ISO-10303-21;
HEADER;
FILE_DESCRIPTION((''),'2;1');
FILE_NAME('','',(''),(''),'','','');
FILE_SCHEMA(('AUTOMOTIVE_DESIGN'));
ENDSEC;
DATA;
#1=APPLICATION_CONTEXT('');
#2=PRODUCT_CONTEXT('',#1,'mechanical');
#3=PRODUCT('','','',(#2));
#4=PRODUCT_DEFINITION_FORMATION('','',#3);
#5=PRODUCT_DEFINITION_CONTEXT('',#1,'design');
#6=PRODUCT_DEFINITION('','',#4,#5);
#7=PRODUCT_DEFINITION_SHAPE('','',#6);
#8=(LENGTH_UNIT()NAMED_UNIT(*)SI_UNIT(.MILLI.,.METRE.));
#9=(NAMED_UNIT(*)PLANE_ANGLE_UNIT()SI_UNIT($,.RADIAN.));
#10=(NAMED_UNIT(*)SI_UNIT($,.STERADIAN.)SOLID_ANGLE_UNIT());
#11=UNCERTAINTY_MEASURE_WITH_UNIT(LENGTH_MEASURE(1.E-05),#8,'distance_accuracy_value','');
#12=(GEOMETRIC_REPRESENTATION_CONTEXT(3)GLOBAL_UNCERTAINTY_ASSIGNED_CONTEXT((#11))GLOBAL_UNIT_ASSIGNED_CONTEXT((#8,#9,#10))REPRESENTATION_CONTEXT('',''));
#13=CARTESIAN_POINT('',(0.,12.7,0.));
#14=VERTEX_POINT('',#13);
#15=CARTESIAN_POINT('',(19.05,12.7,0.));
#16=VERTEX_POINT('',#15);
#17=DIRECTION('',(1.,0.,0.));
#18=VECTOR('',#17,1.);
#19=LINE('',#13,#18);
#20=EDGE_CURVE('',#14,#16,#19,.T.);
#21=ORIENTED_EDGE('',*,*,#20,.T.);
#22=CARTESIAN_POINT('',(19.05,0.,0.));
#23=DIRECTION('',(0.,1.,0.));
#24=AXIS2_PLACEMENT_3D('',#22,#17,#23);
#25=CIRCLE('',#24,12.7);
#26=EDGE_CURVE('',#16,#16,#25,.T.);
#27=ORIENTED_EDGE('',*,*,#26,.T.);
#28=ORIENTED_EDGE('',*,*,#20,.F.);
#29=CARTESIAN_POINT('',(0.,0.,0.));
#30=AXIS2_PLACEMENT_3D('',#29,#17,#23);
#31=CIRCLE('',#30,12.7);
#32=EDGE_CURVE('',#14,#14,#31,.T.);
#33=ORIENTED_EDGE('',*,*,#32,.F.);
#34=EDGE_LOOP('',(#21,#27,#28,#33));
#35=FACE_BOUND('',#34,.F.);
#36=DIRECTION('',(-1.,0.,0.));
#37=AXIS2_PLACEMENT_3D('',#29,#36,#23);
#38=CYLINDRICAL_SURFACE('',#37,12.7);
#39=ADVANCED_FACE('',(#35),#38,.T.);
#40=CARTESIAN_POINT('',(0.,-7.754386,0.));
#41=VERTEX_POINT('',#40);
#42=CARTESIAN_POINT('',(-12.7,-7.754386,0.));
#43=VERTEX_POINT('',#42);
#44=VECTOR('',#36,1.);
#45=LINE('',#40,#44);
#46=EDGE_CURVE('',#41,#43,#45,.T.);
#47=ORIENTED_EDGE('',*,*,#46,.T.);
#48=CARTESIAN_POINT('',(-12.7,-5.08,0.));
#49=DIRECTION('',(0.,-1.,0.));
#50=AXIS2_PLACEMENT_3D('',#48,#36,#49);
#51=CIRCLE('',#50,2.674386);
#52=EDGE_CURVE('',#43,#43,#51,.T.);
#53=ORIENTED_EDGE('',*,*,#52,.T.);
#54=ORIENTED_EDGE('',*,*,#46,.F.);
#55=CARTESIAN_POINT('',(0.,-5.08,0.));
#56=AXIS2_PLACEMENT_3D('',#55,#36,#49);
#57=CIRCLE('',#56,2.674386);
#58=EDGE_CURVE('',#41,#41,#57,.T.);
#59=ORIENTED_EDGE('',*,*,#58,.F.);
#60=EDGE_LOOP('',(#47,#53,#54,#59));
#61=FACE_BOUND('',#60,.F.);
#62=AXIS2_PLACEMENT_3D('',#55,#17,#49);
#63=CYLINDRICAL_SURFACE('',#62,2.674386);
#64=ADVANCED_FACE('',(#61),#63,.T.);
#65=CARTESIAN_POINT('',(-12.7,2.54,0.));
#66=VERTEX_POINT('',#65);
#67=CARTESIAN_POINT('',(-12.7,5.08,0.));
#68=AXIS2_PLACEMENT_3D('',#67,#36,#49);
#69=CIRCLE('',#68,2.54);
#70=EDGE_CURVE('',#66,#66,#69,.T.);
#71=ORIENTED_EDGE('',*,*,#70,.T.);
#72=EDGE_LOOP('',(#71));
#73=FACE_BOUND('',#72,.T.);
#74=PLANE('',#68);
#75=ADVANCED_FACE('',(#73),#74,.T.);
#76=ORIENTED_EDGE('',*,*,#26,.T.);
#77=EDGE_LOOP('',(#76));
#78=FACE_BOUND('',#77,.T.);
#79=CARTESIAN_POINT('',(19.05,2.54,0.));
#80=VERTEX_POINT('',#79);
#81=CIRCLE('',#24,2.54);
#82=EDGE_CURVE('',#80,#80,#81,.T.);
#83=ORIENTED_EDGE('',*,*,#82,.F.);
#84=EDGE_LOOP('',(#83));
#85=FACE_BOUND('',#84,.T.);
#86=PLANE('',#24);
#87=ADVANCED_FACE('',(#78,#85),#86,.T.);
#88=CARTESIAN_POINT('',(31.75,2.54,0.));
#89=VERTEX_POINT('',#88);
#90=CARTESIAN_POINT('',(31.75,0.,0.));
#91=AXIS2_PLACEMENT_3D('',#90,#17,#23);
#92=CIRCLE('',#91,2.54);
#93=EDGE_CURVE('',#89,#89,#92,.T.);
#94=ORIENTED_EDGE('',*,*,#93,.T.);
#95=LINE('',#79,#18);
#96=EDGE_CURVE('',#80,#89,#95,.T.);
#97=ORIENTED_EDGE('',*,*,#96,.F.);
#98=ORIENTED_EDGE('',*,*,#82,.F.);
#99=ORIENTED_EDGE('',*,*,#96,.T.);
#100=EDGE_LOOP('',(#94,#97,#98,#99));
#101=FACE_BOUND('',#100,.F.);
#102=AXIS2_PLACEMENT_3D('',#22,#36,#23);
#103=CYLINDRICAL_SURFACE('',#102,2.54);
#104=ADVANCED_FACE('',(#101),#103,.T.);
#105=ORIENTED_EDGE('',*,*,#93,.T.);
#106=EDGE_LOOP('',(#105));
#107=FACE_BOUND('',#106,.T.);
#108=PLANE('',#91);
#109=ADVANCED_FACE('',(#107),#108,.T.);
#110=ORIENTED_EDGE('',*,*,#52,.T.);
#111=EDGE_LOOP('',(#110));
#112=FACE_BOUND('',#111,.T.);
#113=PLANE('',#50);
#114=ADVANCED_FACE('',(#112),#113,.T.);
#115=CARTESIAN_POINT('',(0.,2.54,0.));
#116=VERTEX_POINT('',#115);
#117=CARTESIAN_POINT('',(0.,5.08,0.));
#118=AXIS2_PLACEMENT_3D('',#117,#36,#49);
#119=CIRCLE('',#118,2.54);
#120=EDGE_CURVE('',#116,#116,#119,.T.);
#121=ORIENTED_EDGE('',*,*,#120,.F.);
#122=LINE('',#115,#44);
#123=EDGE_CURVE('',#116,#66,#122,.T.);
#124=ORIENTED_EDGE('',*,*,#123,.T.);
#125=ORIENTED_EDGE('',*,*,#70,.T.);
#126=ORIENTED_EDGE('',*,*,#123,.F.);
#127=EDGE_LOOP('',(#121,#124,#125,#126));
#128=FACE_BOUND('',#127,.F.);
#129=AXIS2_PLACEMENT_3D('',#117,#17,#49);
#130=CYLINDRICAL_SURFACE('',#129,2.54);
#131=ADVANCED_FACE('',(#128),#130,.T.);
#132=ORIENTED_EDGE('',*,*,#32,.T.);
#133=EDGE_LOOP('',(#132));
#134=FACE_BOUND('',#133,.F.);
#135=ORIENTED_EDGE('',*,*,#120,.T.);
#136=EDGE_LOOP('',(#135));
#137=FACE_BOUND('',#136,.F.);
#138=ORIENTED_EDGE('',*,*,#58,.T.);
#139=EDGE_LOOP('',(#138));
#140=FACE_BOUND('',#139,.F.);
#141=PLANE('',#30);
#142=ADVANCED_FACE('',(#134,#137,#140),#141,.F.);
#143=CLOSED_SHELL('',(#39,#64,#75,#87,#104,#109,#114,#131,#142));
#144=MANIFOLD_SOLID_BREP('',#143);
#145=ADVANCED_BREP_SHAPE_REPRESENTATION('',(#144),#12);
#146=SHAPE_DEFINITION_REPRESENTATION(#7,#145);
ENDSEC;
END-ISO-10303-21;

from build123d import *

# Parameters (mm, degrees)
F0_R     = 12.7
F1_DEPTH = 19.05
F2_R     = 2.54
F3_DEPTH = 12.7
F4_R     = 2.54
F4_R_2   = 2.674386
F5_DEPTH = 12.7


with BuildPart() as f1:
    # F0 (on Right) → F1 (new body)
    with BuildSketch(Plane.YZ):
        Circle(F0_R)
    extrude(amount=F1_DEPTH)

    # F2 (on face) → F3 (join)
    with BuildSketch(Plane.YZ.offset(19.05)):
        Circle(F2_R)
    extrude(amount=F3_DEPTH)

    # F4 (on face) → F5 (join)
    with BuildSketch(Plane(origin=(0, 0, 0), x_dir=(0, -1, 0), z_dir=(-1, 0, 0))):
        with Locations((-5.08, 0)):
            Circle(F4_R)
        with Locations((5.08, 0)):
            Circle(F4_R_2)
    extrude(amount=F5_DEPTH)


solid = f1.part
